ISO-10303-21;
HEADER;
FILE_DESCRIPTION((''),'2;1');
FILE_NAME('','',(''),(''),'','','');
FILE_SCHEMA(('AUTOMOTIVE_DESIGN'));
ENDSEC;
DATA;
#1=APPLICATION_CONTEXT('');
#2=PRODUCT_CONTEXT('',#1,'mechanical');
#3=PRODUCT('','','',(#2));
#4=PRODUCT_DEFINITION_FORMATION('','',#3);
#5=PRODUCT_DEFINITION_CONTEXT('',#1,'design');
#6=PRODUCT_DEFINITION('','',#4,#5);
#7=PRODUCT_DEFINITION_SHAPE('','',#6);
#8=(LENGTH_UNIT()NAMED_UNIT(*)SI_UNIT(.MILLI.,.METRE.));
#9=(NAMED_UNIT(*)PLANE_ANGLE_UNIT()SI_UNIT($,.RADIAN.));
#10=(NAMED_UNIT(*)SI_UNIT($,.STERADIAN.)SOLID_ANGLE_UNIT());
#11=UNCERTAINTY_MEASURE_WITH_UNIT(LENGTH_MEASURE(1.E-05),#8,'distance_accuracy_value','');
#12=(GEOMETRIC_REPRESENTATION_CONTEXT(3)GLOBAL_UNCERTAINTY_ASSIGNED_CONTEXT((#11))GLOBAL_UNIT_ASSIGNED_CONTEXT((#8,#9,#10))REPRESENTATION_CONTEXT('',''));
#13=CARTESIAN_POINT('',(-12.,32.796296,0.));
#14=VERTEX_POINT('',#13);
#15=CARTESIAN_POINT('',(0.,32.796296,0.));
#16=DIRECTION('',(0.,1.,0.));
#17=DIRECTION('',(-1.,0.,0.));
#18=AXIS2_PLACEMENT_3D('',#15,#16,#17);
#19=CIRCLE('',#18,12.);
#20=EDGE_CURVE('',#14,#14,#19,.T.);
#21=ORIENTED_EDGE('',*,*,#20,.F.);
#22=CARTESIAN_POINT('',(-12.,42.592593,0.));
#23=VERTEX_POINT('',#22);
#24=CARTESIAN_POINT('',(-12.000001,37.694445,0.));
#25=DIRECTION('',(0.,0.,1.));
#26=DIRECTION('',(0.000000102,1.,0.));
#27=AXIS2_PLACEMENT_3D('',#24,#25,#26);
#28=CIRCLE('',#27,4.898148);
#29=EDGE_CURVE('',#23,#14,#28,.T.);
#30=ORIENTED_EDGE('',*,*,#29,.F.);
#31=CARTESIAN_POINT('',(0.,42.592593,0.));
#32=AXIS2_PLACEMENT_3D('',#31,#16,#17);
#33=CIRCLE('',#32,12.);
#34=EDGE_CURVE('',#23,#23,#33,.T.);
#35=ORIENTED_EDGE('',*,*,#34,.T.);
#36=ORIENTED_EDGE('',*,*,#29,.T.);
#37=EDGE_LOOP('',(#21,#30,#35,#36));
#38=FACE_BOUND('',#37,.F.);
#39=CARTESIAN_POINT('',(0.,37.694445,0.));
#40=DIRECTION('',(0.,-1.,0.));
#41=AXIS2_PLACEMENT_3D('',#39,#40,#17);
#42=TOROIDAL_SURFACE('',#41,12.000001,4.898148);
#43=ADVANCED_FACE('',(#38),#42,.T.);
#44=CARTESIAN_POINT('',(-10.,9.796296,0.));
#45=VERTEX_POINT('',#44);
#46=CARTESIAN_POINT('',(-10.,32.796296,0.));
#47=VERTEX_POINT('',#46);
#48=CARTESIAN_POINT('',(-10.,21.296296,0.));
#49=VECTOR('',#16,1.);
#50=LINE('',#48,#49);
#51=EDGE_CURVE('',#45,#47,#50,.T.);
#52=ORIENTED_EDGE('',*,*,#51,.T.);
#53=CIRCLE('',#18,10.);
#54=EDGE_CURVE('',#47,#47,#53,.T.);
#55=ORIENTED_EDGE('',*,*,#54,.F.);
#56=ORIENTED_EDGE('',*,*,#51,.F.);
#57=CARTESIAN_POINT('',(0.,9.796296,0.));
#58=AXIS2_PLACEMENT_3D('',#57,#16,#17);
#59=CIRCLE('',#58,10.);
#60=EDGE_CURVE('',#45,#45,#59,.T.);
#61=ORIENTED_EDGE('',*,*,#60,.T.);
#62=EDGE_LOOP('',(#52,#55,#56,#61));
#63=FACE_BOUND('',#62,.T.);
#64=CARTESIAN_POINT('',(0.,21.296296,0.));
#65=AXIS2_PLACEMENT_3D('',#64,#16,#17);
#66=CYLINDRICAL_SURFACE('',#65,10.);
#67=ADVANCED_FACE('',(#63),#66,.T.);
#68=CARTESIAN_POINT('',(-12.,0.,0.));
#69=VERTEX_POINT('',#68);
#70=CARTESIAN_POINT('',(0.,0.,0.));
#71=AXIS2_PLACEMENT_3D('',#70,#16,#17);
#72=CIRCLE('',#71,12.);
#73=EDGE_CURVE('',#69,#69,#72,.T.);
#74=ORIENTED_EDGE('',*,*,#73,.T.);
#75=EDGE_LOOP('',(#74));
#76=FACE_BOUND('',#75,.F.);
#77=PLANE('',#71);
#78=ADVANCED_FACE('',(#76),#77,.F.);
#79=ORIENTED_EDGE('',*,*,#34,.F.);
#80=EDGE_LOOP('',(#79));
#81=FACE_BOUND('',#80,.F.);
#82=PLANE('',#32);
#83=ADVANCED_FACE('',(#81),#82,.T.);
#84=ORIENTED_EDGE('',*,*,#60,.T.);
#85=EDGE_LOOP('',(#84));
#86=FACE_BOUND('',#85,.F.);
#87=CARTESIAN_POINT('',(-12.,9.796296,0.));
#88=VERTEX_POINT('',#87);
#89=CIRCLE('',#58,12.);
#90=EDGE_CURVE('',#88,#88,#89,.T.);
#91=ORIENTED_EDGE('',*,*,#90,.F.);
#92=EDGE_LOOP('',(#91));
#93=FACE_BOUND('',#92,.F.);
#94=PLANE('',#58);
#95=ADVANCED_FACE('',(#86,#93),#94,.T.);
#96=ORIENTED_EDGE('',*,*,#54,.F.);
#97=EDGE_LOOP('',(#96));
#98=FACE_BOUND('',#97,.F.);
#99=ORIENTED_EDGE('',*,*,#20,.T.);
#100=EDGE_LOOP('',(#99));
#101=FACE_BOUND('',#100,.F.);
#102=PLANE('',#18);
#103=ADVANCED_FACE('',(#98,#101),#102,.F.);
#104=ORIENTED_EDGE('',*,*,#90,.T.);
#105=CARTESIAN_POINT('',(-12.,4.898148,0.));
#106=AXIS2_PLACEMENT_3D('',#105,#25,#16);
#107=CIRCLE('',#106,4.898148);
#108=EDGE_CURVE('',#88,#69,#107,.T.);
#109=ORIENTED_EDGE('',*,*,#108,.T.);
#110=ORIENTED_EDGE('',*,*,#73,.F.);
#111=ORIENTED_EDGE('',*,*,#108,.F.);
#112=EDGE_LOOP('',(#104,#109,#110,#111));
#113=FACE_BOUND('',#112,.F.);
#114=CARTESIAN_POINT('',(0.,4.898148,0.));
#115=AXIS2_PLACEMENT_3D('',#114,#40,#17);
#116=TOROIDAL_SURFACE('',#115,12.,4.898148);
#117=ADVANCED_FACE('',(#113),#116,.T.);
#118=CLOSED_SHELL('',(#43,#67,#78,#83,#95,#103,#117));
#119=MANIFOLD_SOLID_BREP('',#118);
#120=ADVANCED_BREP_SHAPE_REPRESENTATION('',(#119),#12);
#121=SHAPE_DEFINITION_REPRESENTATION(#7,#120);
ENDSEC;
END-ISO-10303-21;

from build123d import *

# Parameters (mm, degrees)
F0_W = 10
F0_H = 23


with BuildPart() as f1:
    # F0 (on Top) → F1 (revolve)
    with BuildSketch(Plane.XY):
        with BuildLine():
            Line((-12, 0), (0, 0))
            Line((0, 0), (0, 9.796296))
            Line((0, 9.796296), (-10, 9.796296))
            Line((-10, 9.796296), (-12, 9.796296))
            ThreePointArc((-12, 9.796296), (-16.898148, 4.898148), (-12, 0))
        make_face()
        with Locations((-5, 21.296296)):
            Rectangle(F0_W, F0_H)
        with BuildLine():
            Line((-10, 32.796296), (0, 32.796296))
            Line((0, 32.796296), (0, 42.592593))
            Line((0, 42.592593), (-12, 42.592593))
            ThreePointArc((-12, 42.592593), (-16.898149, 37.694445), (-12, 32.796296))
            Line((-12, 32.796296), (-10, 32.796296))
        make_face()
    revolve(axis=Axis((0, 21.296296, 0), (0, 1, 0)))


solid = f1.part
